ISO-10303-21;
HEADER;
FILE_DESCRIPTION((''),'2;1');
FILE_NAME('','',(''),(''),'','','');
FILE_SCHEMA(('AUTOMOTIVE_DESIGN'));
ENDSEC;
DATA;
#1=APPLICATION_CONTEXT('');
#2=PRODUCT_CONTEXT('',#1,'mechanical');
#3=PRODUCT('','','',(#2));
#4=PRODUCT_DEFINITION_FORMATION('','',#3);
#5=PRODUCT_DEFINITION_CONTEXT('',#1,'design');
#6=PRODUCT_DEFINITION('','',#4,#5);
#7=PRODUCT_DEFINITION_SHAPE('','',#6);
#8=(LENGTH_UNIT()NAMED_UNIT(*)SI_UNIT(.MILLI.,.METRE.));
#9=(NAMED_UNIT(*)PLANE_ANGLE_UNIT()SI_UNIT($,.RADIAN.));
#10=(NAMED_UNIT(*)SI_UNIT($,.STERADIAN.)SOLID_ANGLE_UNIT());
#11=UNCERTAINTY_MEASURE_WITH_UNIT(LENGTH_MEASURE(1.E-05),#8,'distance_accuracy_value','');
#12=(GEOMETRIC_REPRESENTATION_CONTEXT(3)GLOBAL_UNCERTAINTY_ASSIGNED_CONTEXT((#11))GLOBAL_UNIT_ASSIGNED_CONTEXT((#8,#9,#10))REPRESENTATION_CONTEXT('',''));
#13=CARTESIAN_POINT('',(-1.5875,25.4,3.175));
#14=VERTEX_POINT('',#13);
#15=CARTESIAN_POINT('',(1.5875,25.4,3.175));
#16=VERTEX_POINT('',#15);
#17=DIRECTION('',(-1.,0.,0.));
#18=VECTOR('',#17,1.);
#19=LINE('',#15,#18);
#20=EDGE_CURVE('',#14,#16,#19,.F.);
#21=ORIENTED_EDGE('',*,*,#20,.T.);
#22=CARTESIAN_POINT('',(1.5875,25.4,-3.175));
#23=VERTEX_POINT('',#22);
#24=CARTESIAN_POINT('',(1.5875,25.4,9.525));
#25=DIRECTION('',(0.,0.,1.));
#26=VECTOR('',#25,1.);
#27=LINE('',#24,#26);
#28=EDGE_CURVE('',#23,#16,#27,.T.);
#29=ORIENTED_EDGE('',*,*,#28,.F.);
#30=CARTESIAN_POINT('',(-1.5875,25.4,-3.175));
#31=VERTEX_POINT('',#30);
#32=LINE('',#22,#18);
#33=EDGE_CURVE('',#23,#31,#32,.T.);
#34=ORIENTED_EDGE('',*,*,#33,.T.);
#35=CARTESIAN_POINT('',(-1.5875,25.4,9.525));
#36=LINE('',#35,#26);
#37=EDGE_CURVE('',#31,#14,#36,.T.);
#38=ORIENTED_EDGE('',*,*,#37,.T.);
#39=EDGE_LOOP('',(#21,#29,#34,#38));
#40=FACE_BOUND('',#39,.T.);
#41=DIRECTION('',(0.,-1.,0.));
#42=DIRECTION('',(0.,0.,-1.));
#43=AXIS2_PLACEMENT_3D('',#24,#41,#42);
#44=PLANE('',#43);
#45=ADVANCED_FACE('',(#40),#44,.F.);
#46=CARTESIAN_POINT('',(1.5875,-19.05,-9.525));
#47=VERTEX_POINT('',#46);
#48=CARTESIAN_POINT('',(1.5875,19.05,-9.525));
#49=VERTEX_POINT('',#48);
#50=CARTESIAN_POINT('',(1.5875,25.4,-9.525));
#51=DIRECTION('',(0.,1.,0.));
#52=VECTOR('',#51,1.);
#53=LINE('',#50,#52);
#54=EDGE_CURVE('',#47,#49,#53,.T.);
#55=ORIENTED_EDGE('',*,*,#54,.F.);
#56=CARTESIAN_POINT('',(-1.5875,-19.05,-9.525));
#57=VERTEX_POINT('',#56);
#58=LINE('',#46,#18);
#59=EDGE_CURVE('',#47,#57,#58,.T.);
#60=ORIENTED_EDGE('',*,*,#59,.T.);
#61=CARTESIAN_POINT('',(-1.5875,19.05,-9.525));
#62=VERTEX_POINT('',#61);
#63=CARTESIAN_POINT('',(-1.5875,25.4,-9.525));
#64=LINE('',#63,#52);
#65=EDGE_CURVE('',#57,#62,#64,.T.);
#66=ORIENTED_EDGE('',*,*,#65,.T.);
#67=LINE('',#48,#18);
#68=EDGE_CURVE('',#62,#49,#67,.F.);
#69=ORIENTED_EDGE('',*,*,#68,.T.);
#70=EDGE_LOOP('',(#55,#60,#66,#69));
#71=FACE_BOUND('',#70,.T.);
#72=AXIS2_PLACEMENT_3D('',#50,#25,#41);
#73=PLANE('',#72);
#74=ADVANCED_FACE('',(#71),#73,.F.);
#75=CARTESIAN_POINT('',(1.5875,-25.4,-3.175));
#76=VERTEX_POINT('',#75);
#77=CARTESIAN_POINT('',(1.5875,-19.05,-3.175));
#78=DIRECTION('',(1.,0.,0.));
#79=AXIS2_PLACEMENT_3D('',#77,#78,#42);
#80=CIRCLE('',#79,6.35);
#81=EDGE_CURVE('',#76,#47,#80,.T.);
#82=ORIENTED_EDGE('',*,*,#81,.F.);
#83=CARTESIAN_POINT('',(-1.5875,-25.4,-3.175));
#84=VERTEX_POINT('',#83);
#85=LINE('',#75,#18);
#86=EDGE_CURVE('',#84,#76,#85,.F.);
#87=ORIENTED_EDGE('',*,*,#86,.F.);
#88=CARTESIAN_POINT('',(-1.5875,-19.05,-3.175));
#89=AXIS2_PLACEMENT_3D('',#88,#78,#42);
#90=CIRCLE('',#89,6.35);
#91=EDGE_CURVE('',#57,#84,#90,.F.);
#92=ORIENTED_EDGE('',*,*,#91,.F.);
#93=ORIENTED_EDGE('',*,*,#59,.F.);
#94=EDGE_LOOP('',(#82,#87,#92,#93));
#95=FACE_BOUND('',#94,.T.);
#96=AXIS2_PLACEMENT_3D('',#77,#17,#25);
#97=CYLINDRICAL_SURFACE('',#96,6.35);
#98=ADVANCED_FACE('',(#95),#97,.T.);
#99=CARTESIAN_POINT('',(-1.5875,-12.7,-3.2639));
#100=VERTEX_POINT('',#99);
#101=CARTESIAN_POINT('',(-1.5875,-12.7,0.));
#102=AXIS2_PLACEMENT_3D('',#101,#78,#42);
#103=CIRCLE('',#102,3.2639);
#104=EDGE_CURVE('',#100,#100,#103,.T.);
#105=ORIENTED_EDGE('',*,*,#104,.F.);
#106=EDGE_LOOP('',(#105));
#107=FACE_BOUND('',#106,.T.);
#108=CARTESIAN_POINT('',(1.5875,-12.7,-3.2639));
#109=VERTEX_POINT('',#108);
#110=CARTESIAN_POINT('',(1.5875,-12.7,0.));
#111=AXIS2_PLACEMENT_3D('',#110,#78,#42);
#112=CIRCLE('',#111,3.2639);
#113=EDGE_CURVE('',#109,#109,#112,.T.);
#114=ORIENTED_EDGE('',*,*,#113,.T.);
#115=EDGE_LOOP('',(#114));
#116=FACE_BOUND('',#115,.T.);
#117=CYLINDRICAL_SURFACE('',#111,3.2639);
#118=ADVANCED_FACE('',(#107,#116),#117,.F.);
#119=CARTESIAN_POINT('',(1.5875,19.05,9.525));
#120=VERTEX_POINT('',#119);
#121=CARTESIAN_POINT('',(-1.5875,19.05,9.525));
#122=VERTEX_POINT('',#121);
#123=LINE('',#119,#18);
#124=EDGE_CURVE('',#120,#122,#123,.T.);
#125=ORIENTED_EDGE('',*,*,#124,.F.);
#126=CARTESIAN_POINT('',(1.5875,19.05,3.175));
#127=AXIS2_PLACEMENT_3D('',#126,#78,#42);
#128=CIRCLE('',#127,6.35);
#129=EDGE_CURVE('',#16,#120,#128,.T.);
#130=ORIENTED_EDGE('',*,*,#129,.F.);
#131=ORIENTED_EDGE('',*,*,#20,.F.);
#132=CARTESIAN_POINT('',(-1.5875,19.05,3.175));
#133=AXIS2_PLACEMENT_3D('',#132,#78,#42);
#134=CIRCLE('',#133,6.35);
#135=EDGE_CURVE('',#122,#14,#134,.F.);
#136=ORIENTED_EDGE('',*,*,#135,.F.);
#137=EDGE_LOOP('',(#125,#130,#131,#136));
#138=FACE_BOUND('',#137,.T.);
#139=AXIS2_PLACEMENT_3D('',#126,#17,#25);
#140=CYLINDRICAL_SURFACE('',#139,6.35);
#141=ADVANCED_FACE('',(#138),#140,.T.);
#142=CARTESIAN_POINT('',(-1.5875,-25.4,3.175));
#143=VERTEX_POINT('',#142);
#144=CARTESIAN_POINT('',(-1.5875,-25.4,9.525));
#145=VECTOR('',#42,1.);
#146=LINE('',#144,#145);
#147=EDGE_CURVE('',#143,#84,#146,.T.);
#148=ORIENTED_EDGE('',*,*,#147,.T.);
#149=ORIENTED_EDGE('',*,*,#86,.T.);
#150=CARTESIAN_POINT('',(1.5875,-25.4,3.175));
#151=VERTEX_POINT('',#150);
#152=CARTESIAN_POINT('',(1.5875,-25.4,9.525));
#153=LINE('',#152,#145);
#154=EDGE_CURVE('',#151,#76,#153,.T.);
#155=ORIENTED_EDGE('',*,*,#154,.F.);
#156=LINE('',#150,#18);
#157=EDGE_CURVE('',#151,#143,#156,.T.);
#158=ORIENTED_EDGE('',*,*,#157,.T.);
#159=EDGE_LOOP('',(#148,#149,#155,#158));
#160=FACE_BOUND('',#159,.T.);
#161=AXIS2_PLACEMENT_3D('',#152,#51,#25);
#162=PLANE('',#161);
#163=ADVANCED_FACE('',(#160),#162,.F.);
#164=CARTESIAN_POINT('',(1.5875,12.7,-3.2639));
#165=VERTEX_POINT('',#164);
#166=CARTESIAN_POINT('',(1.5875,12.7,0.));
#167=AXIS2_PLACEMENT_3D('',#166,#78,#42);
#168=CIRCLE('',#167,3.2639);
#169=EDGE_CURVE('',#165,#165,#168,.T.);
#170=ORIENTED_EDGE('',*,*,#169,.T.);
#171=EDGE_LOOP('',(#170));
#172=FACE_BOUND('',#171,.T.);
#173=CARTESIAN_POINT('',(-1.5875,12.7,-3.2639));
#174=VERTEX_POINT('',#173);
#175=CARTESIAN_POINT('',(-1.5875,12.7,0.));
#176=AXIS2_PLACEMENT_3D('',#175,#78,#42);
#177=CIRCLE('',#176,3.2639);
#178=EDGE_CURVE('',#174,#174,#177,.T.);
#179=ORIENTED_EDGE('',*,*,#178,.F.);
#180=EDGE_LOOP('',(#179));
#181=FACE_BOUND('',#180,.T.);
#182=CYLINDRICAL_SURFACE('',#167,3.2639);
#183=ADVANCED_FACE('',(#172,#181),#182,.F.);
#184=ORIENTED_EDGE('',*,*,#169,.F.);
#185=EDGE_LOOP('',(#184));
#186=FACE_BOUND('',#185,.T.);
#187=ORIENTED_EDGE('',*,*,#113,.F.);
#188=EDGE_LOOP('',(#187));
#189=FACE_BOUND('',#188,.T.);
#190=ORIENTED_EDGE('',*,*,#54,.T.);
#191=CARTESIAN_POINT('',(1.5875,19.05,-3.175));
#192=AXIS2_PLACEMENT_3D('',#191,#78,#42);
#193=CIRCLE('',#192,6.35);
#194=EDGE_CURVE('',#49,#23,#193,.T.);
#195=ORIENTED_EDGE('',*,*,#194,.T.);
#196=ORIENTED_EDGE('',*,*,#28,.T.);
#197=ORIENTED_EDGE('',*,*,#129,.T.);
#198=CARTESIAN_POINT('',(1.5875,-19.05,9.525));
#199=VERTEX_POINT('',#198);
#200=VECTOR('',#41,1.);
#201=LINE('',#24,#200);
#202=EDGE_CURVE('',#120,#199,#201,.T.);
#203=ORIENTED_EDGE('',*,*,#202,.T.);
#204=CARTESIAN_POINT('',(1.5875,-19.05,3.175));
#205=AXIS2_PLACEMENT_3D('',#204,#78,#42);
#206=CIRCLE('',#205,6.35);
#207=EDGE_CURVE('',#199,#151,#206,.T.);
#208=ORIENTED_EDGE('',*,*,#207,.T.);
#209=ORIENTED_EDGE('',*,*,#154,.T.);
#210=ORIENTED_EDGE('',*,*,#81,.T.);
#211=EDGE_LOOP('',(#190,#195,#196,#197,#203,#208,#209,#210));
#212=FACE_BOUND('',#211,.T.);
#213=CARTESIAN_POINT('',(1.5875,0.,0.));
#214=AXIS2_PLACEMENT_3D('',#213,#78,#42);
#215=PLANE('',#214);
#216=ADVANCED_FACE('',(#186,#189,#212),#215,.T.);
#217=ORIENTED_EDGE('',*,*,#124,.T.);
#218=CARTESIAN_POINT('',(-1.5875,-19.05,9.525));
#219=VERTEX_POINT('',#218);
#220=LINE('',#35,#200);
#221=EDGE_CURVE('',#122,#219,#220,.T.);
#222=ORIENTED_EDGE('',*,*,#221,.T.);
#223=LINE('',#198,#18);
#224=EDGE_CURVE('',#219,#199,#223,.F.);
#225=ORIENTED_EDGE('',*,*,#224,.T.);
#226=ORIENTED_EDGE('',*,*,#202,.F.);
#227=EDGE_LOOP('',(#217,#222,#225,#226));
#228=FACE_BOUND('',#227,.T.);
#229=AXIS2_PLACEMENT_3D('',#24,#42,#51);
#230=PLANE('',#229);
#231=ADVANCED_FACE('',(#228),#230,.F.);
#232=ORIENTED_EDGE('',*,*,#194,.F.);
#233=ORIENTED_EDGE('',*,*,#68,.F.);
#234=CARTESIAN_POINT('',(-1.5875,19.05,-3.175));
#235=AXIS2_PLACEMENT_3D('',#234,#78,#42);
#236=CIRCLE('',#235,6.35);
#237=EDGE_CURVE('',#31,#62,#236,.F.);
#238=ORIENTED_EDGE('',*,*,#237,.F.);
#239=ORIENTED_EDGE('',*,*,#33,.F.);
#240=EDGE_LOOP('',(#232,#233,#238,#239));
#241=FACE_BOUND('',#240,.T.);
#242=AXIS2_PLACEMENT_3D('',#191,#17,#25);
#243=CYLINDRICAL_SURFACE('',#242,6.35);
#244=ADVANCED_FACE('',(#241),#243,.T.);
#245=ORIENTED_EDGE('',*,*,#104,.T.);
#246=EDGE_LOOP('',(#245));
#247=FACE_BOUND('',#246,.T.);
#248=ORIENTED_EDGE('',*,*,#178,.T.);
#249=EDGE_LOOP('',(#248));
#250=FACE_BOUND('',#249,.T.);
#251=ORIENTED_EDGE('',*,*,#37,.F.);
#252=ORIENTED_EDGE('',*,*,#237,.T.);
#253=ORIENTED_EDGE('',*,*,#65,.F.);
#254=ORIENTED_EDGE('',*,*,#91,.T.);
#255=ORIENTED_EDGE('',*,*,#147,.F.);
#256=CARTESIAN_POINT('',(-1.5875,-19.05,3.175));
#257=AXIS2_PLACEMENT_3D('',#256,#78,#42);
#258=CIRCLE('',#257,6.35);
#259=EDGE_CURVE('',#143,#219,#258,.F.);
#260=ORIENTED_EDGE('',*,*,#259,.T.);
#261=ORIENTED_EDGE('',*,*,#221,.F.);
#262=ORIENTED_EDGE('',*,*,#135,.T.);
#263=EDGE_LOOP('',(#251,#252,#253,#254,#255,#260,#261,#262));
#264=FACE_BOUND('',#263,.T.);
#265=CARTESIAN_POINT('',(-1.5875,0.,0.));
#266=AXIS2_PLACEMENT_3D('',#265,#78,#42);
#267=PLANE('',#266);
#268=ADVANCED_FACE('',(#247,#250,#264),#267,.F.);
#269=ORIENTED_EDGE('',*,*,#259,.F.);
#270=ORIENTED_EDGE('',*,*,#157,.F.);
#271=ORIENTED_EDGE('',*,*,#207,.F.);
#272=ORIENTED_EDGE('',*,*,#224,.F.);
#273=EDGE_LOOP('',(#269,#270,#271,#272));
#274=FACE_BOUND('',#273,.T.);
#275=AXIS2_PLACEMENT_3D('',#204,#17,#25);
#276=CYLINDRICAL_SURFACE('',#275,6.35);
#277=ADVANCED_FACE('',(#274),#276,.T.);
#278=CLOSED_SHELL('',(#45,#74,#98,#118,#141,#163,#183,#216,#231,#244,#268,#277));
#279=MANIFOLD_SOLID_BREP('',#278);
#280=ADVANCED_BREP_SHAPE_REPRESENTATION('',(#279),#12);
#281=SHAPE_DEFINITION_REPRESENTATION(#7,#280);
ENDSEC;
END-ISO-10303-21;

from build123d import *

# Parameters (mm, degrees)
SKETCH1_W               = 19.05
SKETCH1_H               = 50.8
BOSS_EXTRUDE1_DEPTH     = 1.5875
F_1_4_CLEARANCE_HOLE1_D = 6.5278
FILLET1_R               = 6.35


with BuildPart() as part:
    # Sketch1 → Boss-Extrude1 (new, symmetric)
    with BuildSketch(Plane(origin=(0, 0, 0), x_dir=(0, 0, -1), z_dir=(1, 0, 0))):
        Rectangle(SKETCH1_W, SKETCH1_H)
    extrude(amount=BOSS_EXTRUDE1_DEPTH, both=True)

    # 1/4 Clearance Hole1 (through all)
    with Locations(Plane(origin=(1.5875, 0, 0), x_dir=(0, 0, -1), z_dir=(1, 0, 0))):
        with Locations((0, 12.7), (0, -12.7)):
            Hole(F_1_4_CLEARANCE_HOLE1_D / 2)

    # Fillet1
    fillet1_edges = [part.edges().sort_by_distance(p)[0] for p in [
        (0, -25.4, -9.525),
        (0, -25.4, 9.525),
        (0, 25.4, 9.525),
        (0, 25.4, -9.525),
    ]]
    fillet(fillet1_edges, radius=FILLET1_R)


solid = part.part
